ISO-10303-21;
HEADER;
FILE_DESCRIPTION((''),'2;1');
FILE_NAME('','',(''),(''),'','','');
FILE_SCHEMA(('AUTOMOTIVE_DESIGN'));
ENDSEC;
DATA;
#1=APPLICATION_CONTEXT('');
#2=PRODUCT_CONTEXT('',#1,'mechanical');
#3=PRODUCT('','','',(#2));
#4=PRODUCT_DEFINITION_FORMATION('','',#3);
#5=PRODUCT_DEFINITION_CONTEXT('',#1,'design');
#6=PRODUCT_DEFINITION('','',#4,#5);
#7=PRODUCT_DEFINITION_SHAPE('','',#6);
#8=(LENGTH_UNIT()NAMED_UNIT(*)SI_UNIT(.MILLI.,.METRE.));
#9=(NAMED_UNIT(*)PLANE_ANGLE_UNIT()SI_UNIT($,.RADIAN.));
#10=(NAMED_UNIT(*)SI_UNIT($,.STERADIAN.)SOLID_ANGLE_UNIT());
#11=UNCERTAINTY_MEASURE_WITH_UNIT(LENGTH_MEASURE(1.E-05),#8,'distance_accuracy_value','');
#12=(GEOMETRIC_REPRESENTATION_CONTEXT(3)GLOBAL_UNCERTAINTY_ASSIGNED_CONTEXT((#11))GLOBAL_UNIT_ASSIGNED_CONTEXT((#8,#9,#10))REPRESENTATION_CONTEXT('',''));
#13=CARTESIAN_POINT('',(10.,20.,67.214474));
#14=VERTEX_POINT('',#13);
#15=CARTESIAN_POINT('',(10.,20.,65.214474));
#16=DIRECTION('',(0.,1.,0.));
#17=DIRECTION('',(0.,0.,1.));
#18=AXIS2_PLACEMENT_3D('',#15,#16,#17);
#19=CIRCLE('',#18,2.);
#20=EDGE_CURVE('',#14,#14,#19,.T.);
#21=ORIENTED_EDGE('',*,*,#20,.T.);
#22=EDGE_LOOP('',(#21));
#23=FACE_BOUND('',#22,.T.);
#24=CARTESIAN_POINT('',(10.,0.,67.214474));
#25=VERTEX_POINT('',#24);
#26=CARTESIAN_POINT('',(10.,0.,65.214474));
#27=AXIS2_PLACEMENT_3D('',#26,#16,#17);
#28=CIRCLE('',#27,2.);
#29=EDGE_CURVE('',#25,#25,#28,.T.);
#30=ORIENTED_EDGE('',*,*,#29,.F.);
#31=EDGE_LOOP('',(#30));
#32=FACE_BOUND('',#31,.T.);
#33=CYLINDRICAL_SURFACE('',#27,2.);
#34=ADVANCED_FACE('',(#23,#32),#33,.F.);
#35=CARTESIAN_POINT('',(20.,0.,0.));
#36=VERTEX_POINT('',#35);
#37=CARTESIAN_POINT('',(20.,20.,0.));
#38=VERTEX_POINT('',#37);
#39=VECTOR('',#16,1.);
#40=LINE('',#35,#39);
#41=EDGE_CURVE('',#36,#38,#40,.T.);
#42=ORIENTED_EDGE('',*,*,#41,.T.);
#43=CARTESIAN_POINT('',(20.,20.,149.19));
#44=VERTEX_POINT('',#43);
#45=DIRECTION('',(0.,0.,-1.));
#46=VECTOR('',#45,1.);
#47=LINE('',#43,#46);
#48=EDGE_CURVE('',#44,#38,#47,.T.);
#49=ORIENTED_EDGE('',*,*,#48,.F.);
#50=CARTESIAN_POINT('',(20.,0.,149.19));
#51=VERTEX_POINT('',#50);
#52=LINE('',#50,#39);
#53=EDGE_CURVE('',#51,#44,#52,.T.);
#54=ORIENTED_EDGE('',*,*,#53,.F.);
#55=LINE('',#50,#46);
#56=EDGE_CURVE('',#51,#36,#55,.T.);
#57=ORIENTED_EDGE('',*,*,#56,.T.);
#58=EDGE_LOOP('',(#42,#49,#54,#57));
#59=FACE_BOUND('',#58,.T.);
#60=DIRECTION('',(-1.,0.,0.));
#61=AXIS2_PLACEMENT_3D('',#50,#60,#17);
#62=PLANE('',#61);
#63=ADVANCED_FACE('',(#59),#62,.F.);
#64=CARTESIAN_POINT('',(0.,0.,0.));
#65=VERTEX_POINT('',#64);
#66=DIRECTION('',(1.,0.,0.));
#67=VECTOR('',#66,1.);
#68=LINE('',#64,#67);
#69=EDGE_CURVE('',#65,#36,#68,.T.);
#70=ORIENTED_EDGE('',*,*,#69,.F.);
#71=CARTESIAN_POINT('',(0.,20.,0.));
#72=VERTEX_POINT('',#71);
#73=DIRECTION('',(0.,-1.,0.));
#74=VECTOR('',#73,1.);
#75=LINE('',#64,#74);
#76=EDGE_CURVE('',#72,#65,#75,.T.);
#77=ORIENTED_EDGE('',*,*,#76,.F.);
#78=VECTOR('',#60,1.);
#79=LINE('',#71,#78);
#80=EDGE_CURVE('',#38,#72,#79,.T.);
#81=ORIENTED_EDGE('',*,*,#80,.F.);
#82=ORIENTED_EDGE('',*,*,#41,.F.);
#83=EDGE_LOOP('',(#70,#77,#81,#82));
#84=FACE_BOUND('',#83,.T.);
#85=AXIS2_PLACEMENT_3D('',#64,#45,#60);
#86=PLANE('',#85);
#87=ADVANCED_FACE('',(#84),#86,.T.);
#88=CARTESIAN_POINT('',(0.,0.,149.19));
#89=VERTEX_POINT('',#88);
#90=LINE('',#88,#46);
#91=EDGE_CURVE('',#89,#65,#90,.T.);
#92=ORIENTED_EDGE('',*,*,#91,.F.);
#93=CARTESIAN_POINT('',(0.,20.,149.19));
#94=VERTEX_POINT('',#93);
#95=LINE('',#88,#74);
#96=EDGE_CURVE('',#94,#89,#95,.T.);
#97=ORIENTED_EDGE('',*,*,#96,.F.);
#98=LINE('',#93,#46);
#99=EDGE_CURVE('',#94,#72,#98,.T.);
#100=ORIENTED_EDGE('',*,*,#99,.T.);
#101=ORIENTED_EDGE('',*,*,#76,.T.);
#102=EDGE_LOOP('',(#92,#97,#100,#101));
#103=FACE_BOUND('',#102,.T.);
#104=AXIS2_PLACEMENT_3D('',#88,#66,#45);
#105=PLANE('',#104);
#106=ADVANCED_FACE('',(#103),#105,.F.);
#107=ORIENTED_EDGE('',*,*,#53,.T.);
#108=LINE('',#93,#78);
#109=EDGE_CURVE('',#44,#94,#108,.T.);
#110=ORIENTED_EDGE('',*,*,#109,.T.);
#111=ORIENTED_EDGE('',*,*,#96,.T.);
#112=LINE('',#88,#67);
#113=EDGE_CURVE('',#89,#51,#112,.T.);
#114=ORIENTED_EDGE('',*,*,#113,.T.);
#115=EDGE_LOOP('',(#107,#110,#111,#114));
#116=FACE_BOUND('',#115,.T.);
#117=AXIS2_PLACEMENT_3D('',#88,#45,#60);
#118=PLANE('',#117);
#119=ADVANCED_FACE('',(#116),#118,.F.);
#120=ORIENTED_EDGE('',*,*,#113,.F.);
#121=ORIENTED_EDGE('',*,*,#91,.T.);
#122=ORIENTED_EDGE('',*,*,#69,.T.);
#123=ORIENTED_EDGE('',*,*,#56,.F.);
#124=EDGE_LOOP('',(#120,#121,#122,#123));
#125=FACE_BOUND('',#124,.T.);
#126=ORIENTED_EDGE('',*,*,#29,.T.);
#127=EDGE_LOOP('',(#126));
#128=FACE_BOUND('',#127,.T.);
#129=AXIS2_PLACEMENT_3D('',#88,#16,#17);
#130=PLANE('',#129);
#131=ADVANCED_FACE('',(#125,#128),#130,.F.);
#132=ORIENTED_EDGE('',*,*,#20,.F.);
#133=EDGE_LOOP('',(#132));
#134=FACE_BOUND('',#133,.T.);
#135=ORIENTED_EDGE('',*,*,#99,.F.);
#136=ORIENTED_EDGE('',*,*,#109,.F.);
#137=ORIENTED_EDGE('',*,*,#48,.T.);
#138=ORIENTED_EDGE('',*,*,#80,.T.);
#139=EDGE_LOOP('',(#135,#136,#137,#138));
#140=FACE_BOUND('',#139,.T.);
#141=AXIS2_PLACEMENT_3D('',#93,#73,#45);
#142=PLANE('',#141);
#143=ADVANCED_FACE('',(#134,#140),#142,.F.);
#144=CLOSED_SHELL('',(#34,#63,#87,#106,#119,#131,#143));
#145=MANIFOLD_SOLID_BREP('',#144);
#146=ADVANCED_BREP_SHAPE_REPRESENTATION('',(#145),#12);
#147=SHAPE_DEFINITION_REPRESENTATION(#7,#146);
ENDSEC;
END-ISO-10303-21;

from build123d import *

# Parameters (mm, degrees)
SKETCH1_W           = 20
SKETCH1_H           = 20
BOSS_EXTRUDE1_DEPTH = 149.19
SKETCH2_R           = 2
CUT_EXTRUDE1_DEPTH  = 21


with BuildPart() as part:
    # Sketch1 → Boss-Extrude1 (new body)
    with BuildSketch(Plane.XY):
        with Locations((10, 10)):
            Rectangle(SKETCH1_W, SKETCH1_H)
    extrude(amount=BOSS_EXTRUDE1_DEPTH)

    # Sketch2 → Cut-Extrude1 (cut, through all)
    with BuildSketch(Plane(origin=(0, 20, 0), x_dir=(1, 0, 0), z_dir=(0, 1, 0))):
        with Locations((10, -65.214474091)):
            Circle(SKETCH2_R)
    extrude(amount=-CUT_EXTRUDE1_DEPTH, mode=Mode.SUBTRACT)


solid = part.part
